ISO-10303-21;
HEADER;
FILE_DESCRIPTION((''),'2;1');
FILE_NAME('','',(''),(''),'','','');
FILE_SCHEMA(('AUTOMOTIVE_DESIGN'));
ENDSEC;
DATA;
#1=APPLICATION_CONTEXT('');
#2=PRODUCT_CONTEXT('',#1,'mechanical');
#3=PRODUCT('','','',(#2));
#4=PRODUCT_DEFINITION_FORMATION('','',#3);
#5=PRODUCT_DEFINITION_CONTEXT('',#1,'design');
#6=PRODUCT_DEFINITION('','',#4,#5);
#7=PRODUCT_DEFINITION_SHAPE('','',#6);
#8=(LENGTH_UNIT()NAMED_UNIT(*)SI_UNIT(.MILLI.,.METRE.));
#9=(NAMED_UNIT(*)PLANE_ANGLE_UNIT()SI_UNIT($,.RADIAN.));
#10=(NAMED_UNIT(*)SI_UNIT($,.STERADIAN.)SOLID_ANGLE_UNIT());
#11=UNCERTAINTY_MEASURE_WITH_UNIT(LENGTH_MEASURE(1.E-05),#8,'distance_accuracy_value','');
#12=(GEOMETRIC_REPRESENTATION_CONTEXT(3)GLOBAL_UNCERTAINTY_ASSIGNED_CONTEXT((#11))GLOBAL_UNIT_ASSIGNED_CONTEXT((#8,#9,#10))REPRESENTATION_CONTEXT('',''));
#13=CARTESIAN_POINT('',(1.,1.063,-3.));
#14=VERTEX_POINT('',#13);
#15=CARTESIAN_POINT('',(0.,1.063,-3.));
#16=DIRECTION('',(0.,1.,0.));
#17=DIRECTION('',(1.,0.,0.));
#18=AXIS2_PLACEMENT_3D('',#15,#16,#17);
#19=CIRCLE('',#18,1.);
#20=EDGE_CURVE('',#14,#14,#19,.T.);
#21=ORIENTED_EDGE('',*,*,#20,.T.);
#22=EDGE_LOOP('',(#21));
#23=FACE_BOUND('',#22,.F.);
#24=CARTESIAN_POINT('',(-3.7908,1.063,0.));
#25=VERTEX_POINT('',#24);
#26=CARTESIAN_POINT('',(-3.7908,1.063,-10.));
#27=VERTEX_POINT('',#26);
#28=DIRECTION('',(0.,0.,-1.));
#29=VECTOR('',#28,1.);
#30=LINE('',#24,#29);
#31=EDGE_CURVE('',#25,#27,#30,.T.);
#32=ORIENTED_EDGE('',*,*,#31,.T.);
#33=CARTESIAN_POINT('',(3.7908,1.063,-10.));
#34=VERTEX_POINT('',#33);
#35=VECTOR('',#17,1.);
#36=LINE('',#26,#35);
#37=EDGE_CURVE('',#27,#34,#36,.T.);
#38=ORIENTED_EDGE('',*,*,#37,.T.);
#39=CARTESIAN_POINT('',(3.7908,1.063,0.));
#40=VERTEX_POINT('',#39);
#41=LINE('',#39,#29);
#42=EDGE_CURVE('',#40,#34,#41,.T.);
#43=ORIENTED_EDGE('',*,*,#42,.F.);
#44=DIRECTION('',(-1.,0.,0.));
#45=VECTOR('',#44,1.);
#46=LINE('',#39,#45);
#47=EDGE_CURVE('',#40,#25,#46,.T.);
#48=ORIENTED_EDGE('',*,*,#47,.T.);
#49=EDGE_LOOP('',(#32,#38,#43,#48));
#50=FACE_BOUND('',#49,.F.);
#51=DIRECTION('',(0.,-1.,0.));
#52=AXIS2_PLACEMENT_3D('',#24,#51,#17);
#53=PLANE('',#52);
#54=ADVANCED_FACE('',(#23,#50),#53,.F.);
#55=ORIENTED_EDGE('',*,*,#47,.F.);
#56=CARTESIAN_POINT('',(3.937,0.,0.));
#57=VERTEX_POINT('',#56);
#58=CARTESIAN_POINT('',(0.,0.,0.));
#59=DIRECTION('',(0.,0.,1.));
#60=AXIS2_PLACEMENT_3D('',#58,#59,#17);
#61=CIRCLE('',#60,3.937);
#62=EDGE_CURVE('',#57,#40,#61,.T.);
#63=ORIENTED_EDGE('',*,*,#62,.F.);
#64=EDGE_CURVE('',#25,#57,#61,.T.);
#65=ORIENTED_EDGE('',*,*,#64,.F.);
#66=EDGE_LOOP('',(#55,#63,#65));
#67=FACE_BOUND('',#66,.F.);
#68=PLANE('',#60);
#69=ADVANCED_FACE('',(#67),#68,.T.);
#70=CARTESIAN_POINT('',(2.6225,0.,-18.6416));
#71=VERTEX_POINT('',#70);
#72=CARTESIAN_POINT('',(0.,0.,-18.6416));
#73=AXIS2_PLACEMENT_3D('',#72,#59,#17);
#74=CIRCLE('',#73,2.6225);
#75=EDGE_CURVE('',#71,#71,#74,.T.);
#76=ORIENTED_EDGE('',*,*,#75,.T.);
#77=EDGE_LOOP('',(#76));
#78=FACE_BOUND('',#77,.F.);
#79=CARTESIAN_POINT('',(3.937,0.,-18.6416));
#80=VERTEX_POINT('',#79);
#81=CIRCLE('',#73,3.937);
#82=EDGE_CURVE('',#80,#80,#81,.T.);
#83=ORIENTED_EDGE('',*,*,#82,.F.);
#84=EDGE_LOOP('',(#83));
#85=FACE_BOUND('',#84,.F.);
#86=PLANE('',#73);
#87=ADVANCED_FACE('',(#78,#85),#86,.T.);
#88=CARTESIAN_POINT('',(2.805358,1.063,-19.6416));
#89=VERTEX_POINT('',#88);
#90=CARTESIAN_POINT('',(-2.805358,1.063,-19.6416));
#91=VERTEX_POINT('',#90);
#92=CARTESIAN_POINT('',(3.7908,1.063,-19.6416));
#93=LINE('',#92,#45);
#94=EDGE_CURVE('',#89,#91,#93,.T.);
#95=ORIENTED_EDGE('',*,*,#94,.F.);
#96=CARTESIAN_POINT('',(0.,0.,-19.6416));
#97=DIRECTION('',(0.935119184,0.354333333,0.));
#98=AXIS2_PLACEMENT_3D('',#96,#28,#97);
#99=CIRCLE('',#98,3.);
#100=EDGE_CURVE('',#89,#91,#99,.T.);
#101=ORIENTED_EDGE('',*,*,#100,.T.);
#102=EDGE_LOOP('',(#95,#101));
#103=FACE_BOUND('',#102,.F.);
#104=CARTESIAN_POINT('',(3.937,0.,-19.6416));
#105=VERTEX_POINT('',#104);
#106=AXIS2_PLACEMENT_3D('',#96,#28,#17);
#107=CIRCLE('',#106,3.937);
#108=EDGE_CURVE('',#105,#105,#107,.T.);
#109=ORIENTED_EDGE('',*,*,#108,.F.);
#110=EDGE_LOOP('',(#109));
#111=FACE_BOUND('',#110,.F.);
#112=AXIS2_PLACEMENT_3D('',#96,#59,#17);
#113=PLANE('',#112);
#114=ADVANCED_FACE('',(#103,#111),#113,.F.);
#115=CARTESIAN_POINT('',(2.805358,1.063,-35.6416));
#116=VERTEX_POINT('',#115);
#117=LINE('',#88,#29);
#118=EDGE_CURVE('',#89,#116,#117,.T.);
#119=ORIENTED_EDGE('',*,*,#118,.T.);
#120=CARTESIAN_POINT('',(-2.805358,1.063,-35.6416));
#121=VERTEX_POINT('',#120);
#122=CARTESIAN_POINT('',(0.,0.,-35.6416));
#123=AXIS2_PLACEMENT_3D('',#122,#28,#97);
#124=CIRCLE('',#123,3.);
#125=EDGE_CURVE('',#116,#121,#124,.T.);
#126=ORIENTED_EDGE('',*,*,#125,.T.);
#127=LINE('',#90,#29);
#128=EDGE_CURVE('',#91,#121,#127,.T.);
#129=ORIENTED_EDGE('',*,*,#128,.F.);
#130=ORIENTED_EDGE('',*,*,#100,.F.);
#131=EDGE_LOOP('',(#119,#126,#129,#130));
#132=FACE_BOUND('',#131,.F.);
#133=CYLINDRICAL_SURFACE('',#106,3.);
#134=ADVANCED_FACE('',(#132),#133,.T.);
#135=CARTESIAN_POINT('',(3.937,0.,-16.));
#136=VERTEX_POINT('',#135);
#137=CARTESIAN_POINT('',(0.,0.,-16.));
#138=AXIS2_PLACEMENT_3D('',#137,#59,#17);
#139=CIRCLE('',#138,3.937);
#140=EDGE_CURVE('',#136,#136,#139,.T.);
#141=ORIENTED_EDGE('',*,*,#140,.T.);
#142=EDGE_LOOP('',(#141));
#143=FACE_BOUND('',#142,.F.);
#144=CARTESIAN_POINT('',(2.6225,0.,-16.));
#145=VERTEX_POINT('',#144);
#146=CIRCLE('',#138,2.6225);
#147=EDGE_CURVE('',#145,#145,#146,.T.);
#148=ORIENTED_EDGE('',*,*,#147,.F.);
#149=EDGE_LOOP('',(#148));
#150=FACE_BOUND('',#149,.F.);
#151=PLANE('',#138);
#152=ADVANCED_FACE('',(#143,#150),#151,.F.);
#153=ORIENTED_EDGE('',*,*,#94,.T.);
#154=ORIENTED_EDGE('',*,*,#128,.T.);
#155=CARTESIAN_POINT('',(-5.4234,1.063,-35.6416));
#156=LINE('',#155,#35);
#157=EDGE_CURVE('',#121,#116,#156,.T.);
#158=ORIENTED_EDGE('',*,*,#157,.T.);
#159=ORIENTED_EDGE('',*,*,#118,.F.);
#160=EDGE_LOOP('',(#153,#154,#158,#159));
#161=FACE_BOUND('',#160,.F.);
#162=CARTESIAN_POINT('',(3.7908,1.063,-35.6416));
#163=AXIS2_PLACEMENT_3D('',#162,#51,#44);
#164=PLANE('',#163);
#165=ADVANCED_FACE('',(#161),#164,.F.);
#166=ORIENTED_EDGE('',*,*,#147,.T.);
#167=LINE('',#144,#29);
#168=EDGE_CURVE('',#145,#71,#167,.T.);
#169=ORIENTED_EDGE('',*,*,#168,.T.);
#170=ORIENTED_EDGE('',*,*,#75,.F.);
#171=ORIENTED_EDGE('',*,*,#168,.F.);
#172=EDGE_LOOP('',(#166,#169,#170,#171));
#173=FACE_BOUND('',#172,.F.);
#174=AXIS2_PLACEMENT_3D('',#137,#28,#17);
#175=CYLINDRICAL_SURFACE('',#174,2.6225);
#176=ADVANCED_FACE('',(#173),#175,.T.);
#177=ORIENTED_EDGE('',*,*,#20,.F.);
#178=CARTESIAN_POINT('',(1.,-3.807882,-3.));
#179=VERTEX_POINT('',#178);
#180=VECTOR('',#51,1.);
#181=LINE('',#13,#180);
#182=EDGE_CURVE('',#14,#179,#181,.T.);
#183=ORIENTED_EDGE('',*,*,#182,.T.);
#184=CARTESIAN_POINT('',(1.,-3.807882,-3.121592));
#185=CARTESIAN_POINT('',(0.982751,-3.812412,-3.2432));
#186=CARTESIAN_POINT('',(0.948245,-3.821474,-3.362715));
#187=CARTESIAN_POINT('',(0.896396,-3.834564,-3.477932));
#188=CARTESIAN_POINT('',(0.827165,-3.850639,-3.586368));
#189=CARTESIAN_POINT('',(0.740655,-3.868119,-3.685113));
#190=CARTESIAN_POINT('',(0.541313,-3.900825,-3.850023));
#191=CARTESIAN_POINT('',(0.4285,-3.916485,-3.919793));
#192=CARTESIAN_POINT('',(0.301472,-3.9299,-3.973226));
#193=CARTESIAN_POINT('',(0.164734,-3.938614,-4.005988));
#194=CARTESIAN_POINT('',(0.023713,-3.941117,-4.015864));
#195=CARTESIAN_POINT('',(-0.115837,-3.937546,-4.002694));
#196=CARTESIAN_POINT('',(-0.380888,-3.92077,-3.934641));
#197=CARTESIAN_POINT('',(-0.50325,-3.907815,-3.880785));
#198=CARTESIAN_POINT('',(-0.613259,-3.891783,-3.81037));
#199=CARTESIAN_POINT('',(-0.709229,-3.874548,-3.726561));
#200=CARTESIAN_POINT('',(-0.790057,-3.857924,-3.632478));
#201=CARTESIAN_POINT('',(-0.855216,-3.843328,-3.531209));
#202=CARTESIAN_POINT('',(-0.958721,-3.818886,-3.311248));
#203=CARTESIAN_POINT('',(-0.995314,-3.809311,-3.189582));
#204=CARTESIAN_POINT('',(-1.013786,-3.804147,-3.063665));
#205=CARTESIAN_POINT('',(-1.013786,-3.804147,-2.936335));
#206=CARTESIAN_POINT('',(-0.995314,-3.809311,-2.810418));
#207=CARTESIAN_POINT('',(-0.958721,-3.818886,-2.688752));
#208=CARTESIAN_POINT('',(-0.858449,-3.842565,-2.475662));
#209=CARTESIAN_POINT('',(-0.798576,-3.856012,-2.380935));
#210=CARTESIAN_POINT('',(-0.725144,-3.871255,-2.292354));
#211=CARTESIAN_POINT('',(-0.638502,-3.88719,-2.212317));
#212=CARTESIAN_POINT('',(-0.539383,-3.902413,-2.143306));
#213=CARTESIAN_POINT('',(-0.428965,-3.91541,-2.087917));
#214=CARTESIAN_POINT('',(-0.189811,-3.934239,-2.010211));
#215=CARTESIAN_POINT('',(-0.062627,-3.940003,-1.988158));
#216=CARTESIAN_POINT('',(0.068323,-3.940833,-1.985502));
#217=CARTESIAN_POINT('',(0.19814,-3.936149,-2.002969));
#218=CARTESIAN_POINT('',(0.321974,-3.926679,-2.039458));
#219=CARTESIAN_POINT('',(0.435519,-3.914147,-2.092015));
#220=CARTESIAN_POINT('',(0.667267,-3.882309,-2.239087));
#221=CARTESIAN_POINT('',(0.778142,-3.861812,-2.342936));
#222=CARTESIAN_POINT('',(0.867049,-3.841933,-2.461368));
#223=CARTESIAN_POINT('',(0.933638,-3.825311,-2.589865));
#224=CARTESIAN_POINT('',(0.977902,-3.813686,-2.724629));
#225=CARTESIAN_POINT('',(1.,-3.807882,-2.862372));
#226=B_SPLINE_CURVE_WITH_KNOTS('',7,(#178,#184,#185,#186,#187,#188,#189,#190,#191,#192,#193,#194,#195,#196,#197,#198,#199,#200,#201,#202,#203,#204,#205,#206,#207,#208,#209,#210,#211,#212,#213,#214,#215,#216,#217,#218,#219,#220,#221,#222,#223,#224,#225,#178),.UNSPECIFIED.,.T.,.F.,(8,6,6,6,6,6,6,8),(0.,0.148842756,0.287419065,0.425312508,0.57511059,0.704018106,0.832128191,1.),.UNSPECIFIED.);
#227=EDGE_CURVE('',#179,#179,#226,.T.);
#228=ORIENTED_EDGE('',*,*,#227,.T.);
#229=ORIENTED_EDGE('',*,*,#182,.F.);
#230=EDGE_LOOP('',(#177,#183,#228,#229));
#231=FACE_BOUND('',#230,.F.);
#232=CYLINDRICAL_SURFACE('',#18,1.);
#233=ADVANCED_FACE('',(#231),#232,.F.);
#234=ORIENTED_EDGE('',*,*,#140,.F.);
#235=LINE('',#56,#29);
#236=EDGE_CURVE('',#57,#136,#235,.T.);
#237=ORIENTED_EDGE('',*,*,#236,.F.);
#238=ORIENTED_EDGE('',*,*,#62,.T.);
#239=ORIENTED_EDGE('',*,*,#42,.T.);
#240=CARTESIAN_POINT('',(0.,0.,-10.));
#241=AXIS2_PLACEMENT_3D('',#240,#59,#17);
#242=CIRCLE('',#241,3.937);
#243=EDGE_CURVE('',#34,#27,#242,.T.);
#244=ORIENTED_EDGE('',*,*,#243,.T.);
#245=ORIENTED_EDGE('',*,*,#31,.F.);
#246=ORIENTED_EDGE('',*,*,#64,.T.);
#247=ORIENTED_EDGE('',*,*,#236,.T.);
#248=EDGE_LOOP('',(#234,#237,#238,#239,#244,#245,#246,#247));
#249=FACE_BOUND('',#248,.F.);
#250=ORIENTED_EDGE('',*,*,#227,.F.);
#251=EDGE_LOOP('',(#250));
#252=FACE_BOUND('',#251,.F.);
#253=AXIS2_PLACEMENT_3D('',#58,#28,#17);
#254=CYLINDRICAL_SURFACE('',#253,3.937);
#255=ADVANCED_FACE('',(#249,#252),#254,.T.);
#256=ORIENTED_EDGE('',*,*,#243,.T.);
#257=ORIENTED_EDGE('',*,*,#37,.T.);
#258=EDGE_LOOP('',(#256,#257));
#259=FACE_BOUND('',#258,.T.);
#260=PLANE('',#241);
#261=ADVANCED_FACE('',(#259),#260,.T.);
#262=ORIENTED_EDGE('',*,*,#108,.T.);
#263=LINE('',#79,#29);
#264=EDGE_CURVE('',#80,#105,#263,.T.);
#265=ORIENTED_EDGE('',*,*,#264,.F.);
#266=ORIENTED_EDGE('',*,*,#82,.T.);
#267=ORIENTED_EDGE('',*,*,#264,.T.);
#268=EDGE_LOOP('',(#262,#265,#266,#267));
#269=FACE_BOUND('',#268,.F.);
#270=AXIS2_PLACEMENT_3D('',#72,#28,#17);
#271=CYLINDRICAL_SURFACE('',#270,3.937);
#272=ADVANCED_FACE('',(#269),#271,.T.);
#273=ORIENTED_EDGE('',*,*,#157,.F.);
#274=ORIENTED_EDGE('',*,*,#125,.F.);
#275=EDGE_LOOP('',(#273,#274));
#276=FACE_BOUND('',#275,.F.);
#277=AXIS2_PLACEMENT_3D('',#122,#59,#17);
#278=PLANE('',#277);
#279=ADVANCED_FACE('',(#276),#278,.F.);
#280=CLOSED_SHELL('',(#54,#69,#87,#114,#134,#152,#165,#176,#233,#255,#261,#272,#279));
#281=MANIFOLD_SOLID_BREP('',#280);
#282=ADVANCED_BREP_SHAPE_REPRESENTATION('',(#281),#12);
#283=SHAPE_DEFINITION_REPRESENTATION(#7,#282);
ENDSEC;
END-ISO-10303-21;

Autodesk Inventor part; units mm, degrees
ref_plane "YZ Plane" through (0, 0, 0) normal (1, 0, 0) x (0, 1, 0)
ref_plane "XZ Plane" through (0, 0, 0) normal (0, 1, 0) x (-1, 0, 0)
ref_plane "XY Plane" through (0, 0, 0) normal (0, 0, 1) x (1, 0, 0)
sketch "Sketch1" plane through (0, 0, 0) normal (0, 1, 0) x (-1, 0, 0)
  line L0 (0, 0) -> (-2.8001, 0)
  line L1 (-2.8001, 0) -> (-3.937, 0)
  line L2 (-3.937, 0) -> (-3.937, -16)
  line L3 (-3.937, -16) -> (-2.6225, -16)
  line L4 (-2.6225, -16) -> (-2.6225, -18.6416)
  line L5 (-2.6225, -18.6416) -> (-3.937, -18.6416)
  line L6 (-3.937, -18.6416) -> (-3.937, -19.6416)
  line L7 (-2.8001, 0) -> (0, 0)
  line L8 (-2.8001, 0) -> (0, 0)
  line L9 (-3.937, -19.6416) -> (-3, -19.6416)
  line L10 (-3, -19.6416) -> (-3, -35.6416)
  line L11 (-3, -35.6416) -> (0, -35.6416)
  line L12 (0, -35.6416) -> (0, 0)
  dimension "d1" = 0
  dimension "d2" = 16
  dimension "d3" = 2.6416
  dimension "d6" = 3.937
  dimension "d8" = 3
  dimension "d13" = 1
  dimension "d29" = 2.6225
  dimension "d30" = 16
revolve "Revolution1" add sketch "Sketch1" angle 360 about axis through (0, 0, -35.6416) along (0, 0, 1)
thread "Thread1" size "M6x1" class "6g" standard "ANSI Metric M Profile" full length
sketch "Sketch3" plane through (0, 0, 0) normal (0, 0, 1) x (1, 0, 0)
  circle A0 centre (0, 0) radius 3.937 projected
  line L0 (-3.033, -2.5101) -> (3.033, -2.5101)
  line L1 (-3.7908, 1.063) -> (3.7908, 1.063)
  arc A1 (3.033, -2.5101) -> (3.7908, 1.063) centre (0, 0) ccw
  arc A2 (-3.7908, 1.063) -> (-3.033, -2.5101) centre (0, 0) ccw
  point P0 (0, 0)
  dimension "d36" = 5
extrude "Extrusion1" cut sketch "Sketch3" against normal blind 10 contours L1 A0
sketch "Sketch4" plane through (-3.7908, 1.063, 0) normal (0, 1, 0) x (1, 0, 0)
  circle A0 centre (3.7908, 3) radius 1
  point P0 (3.7908, 0)
  dimension "d23" = 2
  dimension "d24" = 3
extrude "Extrusion2" cut sketch "Sketch4" against normal blind 10
thread "Thread2" size "M2x0.4" class "6H" standard "ANSI Metric M Profile" full length
sketch "Sketch5" plane through (0, 0, -35.6416) normal (0, 0, -1) x (-1, 0, 0)
  circle A0 centre (0, 0) radius 3.937 projected
  line L0 (-3.7908, 1.063) -> (5.4234, 1.063)
  line L1 (5.4234, 1.063) -> (5.4234, 3.7958)
  line L2 (5.4234, 3.7958) -> (-3.7908, 3.7958)
  line L3 (-3.7908, 3.7958) -> (-3.7908, 1.063)
  point P0 (0, 0)
  dimension "d33" = 5
extrude "Extrusion3" cut sketch "Sketch5" against normal blind 16 contours L3 L2 A0 | A0 L2 L0 | A0 L2 L1 L0
properties part number "rod"
